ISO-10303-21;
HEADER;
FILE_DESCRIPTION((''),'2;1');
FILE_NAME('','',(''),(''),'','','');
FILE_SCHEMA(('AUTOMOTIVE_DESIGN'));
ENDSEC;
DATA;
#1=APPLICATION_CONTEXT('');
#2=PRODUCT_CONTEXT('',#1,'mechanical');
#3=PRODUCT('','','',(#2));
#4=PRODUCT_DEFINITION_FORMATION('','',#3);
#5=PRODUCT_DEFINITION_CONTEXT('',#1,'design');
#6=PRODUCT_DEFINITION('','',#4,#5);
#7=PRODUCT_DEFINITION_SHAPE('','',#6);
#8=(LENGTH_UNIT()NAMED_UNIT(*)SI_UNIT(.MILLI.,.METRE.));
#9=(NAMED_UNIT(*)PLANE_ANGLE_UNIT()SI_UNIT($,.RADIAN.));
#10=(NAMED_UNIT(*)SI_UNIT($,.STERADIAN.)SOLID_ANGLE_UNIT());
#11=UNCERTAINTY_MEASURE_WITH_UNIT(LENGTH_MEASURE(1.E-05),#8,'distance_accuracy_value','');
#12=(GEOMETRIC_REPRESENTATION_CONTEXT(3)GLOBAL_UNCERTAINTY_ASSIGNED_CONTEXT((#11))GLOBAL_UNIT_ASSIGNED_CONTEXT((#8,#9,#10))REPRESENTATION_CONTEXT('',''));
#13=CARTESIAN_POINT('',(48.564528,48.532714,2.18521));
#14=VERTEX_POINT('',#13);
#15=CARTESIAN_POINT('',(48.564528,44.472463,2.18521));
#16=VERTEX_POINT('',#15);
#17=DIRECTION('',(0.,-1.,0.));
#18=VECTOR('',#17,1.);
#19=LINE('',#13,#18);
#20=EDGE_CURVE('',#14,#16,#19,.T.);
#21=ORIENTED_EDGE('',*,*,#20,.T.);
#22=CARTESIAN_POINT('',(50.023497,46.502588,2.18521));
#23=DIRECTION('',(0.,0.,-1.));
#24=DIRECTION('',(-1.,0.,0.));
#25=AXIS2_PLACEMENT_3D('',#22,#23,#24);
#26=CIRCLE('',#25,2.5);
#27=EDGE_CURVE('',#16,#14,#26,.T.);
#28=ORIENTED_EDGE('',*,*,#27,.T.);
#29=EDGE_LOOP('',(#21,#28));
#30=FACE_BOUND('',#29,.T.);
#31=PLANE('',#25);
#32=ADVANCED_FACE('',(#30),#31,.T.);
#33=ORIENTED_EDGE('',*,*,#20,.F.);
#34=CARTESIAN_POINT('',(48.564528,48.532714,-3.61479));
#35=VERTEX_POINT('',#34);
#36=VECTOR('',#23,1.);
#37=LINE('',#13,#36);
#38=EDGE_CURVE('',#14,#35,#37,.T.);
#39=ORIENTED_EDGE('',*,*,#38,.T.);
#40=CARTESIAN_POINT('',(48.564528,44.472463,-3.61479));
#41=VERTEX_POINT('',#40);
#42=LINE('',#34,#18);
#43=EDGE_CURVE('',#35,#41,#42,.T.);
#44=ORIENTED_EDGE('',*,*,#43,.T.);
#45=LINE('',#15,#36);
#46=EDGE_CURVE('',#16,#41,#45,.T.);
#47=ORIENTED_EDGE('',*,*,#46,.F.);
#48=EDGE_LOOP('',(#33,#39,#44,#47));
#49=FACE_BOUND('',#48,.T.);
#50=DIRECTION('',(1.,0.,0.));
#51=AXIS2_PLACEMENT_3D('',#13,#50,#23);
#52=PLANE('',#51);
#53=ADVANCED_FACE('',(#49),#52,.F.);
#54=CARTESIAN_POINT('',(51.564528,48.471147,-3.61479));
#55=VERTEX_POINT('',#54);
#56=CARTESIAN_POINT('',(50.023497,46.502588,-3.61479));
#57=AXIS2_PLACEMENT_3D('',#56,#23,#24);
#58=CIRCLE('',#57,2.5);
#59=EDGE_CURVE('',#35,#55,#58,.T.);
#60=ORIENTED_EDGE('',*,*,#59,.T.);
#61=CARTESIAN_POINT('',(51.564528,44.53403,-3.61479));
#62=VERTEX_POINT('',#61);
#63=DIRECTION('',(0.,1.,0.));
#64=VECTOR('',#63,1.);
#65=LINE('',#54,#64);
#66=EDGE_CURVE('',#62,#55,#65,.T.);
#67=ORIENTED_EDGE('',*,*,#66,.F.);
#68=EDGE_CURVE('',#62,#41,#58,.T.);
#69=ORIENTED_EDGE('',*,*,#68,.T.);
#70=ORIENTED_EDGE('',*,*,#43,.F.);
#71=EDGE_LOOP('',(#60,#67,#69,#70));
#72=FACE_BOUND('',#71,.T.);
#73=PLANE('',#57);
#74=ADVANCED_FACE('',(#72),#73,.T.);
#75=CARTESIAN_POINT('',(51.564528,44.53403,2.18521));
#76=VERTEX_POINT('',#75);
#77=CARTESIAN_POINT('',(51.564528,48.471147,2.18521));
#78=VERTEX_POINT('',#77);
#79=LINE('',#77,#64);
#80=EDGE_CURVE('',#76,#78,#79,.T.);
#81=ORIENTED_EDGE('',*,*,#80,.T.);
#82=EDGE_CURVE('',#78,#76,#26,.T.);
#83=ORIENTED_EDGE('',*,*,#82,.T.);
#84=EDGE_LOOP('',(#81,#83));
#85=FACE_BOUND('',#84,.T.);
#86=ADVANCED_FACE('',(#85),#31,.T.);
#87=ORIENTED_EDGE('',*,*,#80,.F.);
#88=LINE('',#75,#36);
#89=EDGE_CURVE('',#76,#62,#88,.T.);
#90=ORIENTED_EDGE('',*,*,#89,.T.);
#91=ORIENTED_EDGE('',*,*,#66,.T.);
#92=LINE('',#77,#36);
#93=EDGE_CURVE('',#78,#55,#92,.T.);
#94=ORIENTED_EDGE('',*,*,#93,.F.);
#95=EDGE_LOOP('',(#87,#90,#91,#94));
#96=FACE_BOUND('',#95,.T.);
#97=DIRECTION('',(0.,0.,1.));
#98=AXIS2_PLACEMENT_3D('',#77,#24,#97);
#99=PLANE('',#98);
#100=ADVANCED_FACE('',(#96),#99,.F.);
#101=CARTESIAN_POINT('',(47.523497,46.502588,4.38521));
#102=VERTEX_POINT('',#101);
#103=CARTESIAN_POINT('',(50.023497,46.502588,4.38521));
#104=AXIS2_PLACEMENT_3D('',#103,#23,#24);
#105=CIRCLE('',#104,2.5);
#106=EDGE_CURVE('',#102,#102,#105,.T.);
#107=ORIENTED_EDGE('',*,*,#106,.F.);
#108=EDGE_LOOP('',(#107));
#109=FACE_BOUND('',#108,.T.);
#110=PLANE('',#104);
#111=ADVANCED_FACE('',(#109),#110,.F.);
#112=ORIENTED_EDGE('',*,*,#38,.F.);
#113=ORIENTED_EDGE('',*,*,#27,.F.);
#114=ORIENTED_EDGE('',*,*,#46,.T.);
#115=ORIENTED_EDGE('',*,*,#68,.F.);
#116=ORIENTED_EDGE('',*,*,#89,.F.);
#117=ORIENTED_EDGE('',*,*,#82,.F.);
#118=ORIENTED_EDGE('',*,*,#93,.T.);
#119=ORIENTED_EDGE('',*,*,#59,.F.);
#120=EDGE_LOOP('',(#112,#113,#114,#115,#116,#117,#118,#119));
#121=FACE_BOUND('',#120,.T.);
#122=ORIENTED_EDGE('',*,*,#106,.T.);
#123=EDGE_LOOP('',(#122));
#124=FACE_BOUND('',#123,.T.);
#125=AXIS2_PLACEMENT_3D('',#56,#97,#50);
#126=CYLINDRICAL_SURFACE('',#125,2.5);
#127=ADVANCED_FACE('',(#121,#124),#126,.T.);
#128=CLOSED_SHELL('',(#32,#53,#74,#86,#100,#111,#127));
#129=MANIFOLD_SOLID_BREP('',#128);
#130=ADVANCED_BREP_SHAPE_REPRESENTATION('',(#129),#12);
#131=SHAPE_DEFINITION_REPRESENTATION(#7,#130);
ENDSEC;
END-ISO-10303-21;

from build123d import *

# Parameters (mm, degrees)
SKETCH_2_R          = 2.5
EXTRUDE_1_DEPTH     = 8
CUT_EXTRUDE_START   = -5.8
CUT_EXTRUDE_1_DEPTH = 5.8


with BuildPart() as part:
    # 草图2 → 凸台-拉伸1 (new body)
    with BuildSketch(Plane(origin=(0, 0, 4.385209583), x_dir=(-1, 0, 0), z_dir=(0, 0, -1))):
        with Locations((-50.023496645, 46.50258845)):
            Circle(SKETCH_2_R)
    extrude(amount=EXTRUDE_1_DEPTH)

    # 草图3 → 切除-拉伸1 (cut)
    with BuildSketch(Plane(origin=(0, 0, -3.614790417), x_dir=(-1, 0, 0), z_dir=(0, 0, -1)).offset(CUT_EXTRUDE_START)):
        with BuildLine():
            Line((-51.564528211, 48.471146733), (-51.564528211, 44.534030167))
            ThreePointArc((-51.564528211, 44.534030167), (-52.523496645, 46.50258845), (-51.564528211, 48.471146733))
        make_face()
        with BuildLine():
            Line((-48.564528211, 48.532714335), (-48.564528211, 44.472462565))
            ThreePointArc((-48.564528211, 44.472462565), (-47.523496645, 46.50258845), (-48.564528211, 48.532714335))
        make_face()
    extrude(amount=CUT_EXTRUDE_1_DEPTH, mode=Mode.SUBTRACT)


solid = part.part
